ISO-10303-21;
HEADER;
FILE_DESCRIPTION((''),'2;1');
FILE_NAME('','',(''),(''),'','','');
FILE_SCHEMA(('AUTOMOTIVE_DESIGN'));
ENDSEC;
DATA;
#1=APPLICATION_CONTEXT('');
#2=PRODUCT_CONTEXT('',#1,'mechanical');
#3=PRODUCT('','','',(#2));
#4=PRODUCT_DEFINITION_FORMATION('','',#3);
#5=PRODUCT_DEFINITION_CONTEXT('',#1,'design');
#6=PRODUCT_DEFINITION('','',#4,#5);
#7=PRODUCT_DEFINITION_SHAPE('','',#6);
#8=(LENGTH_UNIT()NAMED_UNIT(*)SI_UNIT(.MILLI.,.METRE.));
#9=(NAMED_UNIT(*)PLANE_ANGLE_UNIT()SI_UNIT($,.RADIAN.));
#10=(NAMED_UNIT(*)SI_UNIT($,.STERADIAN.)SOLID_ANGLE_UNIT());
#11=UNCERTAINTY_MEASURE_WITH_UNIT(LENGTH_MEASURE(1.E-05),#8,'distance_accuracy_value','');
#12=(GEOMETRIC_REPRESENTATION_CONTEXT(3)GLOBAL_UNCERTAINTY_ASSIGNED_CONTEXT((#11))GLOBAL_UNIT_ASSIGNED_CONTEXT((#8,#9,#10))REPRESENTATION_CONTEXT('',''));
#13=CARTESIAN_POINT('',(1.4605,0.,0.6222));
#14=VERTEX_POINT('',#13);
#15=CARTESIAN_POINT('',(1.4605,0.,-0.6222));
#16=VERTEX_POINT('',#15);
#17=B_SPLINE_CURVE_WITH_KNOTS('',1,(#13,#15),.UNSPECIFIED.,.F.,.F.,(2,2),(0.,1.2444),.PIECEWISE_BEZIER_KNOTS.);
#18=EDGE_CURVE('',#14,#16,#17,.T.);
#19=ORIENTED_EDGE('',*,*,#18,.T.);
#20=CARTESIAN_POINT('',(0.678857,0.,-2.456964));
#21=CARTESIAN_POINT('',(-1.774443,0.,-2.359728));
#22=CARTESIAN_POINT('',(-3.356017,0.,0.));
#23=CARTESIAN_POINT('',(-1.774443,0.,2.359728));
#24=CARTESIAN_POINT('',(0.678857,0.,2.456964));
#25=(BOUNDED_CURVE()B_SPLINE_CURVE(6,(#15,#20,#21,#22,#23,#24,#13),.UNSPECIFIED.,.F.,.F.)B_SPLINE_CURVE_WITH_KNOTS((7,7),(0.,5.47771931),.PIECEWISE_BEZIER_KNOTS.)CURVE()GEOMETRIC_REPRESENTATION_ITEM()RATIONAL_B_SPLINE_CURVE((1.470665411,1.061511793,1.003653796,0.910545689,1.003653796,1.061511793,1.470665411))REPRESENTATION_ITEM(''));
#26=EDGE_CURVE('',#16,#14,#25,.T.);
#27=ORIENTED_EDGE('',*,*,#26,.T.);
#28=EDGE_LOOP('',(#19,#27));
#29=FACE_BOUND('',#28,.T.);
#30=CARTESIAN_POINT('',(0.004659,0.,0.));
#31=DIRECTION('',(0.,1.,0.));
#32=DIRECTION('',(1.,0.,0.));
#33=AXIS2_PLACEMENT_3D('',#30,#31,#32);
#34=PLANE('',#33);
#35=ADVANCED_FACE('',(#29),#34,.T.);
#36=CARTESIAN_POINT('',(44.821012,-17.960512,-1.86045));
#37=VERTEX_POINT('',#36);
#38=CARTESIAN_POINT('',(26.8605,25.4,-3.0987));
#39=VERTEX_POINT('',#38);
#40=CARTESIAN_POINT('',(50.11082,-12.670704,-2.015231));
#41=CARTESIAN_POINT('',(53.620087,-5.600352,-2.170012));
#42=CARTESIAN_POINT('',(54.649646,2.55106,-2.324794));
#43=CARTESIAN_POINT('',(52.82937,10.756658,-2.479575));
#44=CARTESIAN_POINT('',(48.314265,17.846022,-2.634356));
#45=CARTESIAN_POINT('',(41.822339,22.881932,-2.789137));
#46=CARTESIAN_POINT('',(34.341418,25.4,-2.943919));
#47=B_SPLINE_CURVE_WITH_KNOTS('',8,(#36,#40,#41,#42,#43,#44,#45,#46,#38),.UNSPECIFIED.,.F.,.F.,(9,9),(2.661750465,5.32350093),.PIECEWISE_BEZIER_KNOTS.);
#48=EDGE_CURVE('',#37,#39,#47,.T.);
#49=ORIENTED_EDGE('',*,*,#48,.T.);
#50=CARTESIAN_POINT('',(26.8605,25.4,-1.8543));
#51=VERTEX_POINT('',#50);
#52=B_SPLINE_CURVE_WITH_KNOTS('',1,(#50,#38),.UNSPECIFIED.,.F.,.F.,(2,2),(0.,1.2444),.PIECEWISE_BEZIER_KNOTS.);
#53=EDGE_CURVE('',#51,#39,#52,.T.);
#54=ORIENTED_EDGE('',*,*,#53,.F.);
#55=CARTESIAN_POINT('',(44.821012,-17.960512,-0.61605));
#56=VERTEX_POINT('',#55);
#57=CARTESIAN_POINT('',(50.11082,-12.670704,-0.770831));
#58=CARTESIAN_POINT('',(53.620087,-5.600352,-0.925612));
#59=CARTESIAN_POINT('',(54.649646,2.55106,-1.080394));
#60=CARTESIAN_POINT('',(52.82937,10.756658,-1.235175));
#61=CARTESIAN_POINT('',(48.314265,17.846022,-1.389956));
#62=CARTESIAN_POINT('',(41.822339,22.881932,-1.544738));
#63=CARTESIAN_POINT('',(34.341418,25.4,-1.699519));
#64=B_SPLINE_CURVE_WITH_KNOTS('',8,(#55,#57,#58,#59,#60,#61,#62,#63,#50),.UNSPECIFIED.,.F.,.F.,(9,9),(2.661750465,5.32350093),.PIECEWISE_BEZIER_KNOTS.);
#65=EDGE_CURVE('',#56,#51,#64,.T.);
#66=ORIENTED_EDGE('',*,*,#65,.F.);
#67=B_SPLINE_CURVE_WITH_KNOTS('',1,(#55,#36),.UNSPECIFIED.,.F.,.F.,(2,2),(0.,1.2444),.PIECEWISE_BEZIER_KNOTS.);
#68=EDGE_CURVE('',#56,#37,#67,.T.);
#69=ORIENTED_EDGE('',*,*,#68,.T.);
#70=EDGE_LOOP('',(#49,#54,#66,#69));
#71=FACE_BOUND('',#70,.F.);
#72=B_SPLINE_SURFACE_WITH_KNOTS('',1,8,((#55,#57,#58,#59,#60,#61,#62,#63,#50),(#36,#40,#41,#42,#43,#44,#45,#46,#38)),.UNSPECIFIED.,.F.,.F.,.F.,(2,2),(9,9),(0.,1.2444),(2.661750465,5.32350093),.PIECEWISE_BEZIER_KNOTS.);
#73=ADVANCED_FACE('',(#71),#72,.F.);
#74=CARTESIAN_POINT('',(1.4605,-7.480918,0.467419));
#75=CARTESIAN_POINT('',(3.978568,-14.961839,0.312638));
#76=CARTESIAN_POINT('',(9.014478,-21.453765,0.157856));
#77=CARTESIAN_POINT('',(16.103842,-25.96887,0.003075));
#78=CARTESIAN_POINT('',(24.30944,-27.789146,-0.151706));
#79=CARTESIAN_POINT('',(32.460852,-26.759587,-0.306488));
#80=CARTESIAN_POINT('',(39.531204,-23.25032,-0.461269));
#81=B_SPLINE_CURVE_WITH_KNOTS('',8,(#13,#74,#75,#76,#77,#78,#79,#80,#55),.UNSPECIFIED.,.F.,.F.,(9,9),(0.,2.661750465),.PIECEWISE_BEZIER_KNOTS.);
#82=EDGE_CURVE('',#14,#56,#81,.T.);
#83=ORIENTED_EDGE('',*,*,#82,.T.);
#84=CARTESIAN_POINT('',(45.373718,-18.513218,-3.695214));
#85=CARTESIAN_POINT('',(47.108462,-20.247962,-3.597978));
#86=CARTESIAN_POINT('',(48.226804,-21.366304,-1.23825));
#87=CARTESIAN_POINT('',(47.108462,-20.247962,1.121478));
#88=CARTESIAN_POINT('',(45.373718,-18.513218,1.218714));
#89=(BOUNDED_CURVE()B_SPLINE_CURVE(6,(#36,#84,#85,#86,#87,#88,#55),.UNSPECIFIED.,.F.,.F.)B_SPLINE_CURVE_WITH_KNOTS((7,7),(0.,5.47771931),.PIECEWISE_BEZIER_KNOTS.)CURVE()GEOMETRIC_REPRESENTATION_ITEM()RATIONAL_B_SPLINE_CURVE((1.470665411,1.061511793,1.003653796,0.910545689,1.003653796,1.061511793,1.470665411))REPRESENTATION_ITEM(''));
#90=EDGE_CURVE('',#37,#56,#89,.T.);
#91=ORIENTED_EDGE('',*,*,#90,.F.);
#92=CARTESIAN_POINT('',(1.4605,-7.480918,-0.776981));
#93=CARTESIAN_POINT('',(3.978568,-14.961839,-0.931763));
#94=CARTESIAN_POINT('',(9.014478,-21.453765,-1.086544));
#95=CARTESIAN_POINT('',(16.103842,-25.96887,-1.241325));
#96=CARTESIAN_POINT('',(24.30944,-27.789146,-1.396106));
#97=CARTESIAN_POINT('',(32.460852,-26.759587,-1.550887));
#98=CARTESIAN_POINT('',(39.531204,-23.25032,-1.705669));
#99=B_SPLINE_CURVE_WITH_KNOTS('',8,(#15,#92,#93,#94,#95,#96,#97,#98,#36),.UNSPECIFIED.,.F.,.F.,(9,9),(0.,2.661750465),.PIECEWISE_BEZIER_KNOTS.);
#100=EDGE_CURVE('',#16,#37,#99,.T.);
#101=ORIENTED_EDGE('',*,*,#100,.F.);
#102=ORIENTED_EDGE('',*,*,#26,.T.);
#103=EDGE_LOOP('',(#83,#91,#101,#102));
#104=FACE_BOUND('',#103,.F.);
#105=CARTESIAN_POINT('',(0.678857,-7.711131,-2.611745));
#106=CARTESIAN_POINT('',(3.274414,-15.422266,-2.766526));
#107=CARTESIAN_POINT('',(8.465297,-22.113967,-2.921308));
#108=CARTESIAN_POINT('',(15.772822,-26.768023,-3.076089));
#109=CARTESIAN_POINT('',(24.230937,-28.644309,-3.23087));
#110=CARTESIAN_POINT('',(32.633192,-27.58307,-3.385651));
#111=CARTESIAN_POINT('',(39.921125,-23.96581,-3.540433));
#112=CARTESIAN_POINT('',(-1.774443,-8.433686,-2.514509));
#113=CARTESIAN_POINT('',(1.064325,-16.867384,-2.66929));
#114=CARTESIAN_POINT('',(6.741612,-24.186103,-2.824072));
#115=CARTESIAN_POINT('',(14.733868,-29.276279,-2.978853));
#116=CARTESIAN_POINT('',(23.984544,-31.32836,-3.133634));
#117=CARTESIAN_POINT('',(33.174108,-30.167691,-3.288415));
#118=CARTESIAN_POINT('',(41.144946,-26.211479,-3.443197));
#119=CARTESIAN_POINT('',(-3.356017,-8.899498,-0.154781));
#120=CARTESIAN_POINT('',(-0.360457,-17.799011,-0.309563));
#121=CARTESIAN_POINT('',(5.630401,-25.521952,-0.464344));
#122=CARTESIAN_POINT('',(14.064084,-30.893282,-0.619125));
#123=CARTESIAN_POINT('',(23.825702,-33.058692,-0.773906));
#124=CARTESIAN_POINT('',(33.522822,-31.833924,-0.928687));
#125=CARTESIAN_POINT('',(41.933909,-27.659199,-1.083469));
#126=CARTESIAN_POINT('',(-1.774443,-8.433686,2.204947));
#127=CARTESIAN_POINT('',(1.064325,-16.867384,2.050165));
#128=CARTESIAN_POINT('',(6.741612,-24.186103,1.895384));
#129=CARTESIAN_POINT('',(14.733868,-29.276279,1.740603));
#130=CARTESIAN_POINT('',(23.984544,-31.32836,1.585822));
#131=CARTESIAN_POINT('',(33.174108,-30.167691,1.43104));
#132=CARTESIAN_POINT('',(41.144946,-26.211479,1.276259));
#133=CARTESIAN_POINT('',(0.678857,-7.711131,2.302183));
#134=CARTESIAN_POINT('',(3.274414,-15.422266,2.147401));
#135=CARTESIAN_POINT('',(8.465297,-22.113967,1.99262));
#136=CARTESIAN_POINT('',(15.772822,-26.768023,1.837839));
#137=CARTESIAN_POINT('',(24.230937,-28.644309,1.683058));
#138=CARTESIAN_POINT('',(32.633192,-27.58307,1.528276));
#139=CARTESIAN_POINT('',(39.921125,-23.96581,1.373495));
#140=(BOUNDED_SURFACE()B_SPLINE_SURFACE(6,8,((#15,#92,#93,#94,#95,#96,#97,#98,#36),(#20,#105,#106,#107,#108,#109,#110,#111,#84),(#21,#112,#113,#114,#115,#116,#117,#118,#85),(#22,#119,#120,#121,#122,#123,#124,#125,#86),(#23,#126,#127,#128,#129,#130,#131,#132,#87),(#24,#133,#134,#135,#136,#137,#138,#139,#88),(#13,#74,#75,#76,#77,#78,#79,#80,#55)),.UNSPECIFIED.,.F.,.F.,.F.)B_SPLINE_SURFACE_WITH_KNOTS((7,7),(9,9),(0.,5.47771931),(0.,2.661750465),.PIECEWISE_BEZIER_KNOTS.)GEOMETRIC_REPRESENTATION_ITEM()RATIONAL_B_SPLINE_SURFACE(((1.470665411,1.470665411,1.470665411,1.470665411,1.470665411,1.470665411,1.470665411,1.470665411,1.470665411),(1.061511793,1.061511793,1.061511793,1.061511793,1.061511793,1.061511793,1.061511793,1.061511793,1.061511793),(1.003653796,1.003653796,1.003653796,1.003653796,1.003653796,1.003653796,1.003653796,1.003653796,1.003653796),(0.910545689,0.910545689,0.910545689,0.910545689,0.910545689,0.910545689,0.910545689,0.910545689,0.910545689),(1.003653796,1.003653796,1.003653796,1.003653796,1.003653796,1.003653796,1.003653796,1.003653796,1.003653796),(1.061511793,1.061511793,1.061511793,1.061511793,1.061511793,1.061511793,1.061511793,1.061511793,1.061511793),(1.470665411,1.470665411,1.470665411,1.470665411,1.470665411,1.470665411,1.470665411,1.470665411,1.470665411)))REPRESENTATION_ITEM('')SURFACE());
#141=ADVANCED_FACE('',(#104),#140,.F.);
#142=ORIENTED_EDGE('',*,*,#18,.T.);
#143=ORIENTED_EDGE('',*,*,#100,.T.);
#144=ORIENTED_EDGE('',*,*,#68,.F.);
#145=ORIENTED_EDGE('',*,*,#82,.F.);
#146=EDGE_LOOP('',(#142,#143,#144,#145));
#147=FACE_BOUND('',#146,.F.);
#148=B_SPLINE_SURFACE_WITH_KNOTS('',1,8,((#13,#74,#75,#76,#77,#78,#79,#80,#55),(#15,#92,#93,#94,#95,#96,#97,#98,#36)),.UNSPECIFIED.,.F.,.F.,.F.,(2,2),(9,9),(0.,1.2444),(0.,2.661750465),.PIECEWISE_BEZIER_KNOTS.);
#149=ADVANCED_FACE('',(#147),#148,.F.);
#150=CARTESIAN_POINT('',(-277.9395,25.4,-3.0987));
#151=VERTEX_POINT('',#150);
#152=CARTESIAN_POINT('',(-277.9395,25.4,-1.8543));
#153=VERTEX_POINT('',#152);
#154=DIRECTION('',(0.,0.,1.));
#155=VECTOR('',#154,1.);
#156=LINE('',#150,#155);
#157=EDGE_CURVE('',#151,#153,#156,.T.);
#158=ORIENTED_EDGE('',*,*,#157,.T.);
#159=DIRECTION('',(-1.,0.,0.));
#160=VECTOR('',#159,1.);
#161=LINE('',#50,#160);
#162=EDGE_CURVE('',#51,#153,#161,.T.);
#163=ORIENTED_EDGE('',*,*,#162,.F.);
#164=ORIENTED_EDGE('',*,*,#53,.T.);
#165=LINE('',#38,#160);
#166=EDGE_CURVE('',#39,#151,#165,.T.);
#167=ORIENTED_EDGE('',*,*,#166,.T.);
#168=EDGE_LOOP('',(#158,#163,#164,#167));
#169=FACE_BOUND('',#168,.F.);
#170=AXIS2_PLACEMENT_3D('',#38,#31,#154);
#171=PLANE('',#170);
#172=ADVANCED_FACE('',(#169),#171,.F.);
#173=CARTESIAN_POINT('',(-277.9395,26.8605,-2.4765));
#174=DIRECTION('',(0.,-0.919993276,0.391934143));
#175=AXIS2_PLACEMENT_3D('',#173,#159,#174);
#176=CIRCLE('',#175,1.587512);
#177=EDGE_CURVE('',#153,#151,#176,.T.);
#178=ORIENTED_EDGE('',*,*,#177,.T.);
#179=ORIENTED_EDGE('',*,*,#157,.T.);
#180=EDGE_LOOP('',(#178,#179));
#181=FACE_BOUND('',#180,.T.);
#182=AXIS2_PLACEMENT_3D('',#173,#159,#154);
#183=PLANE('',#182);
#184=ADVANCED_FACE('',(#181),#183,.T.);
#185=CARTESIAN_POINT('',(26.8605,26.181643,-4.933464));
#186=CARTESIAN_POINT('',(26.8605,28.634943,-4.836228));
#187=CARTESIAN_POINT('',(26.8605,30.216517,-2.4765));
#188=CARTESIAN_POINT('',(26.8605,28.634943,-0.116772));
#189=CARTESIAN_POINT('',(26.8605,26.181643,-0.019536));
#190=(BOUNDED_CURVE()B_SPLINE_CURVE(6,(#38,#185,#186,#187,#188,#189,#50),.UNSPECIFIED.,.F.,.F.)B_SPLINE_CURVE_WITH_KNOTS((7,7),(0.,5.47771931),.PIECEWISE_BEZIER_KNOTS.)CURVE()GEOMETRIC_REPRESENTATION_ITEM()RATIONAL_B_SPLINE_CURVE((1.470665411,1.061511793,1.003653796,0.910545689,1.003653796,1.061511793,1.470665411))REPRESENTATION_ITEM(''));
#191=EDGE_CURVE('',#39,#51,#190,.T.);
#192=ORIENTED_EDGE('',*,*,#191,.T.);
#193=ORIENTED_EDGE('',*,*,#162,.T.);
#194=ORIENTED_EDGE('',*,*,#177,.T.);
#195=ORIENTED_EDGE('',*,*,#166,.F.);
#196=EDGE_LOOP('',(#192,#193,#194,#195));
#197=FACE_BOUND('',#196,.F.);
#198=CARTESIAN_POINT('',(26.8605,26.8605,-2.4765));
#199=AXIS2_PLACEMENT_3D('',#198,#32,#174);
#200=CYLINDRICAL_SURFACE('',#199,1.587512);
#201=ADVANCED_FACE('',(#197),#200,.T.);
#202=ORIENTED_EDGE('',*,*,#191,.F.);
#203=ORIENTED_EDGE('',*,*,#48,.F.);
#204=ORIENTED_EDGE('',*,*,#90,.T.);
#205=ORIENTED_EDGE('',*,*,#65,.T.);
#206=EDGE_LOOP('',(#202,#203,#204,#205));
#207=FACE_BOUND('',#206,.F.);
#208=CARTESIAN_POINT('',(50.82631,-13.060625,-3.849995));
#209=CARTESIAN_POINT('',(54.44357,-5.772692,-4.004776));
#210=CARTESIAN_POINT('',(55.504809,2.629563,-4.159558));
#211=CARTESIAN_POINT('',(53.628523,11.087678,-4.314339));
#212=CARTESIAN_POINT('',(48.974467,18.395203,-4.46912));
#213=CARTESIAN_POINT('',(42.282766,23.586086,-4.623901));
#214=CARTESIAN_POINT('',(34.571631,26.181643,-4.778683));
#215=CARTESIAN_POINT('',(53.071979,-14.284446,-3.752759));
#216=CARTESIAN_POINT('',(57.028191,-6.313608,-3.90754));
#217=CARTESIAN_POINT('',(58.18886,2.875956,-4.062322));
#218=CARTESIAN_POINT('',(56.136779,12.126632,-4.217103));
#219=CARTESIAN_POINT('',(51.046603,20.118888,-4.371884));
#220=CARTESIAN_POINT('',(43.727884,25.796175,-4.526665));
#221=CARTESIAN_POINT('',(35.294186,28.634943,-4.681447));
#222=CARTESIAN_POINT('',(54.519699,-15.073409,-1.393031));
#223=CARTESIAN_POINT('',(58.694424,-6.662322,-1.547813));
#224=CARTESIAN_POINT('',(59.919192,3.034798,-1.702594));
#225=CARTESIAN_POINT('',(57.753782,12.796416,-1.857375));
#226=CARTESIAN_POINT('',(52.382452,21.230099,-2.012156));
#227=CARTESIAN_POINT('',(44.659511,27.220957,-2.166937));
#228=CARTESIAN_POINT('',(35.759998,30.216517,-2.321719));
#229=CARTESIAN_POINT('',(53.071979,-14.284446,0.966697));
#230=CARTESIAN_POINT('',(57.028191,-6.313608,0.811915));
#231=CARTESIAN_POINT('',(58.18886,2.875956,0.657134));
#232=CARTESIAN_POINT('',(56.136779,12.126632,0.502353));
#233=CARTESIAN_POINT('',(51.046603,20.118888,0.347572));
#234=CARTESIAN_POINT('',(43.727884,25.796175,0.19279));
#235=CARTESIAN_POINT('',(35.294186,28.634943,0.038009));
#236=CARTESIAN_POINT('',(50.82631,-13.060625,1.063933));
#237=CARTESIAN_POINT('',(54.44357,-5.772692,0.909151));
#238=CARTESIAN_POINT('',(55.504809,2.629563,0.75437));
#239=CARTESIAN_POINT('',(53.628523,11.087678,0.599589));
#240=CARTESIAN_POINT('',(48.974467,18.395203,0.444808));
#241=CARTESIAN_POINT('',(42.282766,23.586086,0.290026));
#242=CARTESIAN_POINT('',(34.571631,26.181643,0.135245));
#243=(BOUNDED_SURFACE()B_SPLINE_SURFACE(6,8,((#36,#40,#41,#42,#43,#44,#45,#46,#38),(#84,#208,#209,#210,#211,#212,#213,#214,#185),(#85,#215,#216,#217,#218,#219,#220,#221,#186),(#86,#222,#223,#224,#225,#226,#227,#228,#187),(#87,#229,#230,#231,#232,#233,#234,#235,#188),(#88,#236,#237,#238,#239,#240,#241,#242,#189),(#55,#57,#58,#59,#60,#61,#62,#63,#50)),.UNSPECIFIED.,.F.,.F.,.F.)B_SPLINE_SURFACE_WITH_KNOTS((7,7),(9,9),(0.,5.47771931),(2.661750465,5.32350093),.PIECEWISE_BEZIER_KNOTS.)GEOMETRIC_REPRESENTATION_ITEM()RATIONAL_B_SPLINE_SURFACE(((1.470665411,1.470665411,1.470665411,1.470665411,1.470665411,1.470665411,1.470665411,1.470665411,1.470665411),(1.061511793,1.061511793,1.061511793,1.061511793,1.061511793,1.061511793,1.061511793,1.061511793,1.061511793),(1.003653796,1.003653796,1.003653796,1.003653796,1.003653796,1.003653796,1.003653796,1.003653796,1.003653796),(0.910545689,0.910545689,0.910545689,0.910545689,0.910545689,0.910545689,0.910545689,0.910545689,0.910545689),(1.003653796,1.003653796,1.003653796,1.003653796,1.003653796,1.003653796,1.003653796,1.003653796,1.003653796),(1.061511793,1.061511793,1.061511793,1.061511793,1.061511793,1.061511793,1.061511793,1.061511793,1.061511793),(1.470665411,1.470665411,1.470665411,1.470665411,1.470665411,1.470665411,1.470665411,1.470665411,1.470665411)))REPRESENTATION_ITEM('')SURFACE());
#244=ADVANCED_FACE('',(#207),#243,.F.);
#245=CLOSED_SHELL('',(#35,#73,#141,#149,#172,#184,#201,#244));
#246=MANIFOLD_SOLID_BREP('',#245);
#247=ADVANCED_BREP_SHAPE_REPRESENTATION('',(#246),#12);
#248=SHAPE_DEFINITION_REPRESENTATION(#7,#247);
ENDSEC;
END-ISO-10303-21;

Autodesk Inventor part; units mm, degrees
ref_plane "YZ Plane" through (0, 0, 0) normal (1, 0, 0) x (0, 1, 0)
ref_plane "XZ Plane" through (0, 0, 0) normal (0, 1, 0) x (-1, 0, 0)
ref_plane "XY Plane" through (0, 0, 0) normal (0, 0, 1) x (1, 0, 0)
sketch "Sketch1" plane through (0, 0, 0) normal (0, 1, 0) x (-1, 0, 0)
  arc A0 (-1.4605, -0.6222) -> (-1.4605, 0.6222) centre (0, 0) ccw
  line L0 (-1.4605, 0.6222) -> (-1.4605, -0.6222)
  line L1 (-26.8605, 0) -> (-26.8605, -39.404) construction
  dimension "d0" = 3.175
  dimension "d1" = 3.048
  dimension "d2" = 25.4
coil "Coil1" sketch "Sketch1" operation add axis through (26.8605, 0, 0) along (0, 0, -1) pitch 3.302 turns 0.75 hand left
sketch "Sketch2" plane through (26.8605, 26.8605, -2.4765) normal (-1, 0, 0) x (0, 0, 1)
  arc A0 (0.6222, -1.4605) -> (-0.6222, -1.4605) centre (0, 0) ccw projected
  line L0 (-0.6222, -1.4605) -> (0.6222, -1.4605) projected
  point P0 (2.4765, -26.8605)
extrude "Extrusion1" add sketch "Sketch2" along normal blind 304.8
properties part number "Unwinding" material "Nylon 6/6"
